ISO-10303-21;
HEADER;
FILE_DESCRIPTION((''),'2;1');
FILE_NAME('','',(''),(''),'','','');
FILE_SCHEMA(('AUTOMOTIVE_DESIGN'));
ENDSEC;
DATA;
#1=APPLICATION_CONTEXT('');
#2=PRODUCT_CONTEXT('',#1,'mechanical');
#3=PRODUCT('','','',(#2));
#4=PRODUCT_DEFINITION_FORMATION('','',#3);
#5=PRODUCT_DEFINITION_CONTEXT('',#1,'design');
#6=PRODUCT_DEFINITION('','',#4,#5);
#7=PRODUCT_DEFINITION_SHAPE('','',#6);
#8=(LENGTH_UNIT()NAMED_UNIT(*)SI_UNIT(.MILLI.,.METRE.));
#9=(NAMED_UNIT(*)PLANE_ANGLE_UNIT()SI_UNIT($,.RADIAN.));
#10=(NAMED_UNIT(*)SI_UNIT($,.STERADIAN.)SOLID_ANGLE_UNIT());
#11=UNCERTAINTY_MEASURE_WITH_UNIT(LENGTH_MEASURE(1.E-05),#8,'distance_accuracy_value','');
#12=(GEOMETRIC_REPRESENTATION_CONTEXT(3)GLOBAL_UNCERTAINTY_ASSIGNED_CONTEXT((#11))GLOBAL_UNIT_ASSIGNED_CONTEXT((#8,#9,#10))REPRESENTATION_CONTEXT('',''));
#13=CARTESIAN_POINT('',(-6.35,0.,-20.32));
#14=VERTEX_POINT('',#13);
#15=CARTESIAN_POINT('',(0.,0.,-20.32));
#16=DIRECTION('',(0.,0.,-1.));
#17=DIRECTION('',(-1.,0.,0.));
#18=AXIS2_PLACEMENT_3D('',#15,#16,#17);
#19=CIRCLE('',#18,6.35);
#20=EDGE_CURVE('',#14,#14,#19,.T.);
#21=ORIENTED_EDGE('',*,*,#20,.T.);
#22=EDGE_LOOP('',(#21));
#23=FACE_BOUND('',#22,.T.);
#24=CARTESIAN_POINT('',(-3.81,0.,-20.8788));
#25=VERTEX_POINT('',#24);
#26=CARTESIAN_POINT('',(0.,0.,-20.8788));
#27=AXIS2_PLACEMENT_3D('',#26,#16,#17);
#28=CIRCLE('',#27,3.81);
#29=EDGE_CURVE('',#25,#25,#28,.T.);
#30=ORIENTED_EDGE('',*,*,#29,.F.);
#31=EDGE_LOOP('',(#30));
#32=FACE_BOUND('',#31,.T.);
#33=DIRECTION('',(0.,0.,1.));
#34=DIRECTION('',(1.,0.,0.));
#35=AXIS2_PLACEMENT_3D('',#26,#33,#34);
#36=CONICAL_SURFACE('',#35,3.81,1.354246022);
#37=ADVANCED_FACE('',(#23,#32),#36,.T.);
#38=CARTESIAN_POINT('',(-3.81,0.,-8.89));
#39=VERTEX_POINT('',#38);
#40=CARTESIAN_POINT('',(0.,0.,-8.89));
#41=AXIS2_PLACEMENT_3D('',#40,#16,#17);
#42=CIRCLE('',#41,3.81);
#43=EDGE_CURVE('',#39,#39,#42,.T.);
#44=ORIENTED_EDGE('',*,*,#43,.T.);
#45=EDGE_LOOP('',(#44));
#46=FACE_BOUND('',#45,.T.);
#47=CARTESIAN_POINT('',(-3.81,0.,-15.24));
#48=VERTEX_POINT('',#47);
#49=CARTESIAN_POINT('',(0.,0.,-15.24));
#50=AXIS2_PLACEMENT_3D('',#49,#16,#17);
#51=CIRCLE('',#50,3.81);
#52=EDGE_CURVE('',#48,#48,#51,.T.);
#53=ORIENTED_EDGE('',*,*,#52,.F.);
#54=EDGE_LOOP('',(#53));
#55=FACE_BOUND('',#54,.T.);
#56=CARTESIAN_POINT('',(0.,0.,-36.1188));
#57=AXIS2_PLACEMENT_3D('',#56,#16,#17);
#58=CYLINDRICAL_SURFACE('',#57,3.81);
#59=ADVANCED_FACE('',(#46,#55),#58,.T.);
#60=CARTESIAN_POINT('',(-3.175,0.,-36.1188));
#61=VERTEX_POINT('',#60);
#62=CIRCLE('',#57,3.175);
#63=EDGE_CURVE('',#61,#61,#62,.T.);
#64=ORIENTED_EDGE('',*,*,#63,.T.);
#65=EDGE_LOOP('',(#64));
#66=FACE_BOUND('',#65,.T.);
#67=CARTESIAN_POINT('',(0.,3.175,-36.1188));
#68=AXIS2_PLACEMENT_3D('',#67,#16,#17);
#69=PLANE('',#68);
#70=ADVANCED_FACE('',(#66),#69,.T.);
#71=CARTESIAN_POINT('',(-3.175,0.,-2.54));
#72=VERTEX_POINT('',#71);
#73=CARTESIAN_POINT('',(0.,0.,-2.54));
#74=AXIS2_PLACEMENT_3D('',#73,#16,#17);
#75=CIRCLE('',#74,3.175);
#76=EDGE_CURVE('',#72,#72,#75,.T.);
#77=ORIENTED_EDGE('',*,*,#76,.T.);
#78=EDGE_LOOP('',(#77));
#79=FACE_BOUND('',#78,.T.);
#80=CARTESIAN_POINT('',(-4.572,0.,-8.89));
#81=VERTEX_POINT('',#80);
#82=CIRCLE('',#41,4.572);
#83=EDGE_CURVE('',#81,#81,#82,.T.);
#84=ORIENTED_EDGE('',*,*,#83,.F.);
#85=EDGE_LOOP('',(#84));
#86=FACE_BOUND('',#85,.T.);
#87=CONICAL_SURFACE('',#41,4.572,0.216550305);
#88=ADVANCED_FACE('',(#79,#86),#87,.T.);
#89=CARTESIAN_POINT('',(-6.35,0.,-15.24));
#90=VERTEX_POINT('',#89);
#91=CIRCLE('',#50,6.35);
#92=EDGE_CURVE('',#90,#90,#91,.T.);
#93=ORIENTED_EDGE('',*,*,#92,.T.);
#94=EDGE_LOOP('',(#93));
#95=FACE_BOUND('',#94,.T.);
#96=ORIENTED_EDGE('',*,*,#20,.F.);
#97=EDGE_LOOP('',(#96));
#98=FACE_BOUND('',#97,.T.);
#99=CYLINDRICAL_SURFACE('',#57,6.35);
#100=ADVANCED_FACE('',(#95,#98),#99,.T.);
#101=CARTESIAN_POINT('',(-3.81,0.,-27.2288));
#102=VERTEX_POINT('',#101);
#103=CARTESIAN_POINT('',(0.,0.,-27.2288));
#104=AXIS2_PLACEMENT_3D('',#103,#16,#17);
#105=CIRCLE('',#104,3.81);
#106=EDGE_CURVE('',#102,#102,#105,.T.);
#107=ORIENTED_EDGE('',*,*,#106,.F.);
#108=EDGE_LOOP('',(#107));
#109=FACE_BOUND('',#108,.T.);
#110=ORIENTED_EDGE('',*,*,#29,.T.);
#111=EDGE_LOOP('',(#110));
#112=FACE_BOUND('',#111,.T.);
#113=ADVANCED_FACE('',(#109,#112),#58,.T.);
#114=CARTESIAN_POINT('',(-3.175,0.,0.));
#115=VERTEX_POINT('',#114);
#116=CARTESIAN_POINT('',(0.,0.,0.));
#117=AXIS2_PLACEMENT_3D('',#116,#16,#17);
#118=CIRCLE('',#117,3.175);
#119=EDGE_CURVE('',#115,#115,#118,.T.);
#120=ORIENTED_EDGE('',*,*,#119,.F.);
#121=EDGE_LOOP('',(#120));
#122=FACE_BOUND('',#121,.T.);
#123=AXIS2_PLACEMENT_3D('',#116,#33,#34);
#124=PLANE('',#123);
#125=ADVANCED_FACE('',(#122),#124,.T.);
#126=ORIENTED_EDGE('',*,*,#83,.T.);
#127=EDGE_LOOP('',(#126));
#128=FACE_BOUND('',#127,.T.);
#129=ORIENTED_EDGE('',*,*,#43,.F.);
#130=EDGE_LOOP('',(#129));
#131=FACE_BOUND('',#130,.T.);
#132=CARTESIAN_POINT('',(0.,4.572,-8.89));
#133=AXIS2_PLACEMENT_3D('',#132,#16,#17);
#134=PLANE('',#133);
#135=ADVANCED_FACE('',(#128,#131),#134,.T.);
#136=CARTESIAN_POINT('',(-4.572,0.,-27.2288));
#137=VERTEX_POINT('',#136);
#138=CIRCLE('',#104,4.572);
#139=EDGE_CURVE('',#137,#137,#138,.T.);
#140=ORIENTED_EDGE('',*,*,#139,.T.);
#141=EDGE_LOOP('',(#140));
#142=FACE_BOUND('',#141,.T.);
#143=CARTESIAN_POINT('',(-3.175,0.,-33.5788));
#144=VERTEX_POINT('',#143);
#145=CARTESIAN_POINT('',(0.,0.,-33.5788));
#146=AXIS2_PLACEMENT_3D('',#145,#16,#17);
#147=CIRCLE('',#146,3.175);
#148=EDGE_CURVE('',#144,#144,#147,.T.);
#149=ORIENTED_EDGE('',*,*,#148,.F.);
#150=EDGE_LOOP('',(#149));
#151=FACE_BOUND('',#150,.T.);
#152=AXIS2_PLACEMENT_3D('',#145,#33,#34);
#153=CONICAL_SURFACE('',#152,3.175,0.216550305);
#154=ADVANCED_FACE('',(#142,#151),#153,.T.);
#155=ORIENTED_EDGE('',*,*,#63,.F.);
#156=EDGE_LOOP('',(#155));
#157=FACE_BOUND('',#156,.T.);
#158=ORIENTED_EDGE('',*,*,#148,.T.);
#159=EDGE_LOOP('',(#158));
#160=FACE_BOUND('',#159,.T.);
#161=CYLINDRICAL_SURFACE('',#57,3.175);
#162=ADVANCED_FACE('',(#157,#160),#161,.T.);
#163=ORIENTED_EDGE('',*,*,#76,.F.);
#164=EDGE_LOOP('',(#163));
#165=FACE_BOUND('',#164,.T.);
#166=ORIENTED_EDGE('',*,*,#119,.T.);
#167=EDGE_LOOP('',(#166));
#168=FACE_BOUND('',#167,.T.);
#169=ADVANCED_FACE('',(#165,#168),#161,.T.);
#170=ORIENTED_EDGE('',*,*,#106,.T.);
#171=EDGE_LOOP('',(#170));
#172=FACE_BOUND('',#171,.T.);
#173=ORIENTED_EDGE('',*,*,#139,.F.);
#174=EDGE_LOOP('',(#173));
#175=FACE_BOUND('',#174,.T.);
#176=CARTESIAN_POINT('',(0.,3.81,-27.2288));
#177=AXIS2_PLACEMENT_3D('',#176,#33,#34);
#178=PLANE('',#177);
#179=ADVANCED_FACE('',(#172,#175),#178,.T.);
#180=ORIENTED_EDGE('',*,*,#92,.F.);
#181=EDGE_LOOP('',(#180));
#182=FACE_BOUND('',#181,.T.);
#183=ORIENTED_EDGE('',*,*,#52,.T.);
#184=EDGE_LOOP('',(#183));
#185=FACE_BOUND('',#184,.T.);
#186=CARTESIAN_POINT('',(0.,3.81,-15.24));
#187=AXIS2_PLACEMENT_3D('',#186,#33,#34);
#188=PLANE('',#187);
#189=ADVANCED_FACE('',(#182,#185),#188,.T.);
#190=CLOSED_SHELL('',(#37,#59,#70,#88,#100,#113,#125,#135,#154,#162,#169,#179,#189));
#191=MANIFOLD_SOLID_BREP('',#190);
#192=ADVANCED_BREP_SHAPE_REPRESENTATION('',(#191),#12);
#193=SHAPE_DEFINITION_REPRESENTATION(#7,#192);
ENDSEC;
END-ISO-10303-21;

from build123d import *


with BuildPart() as part:
    # Sketch1 → Revolve1 (revolve)
    with BuildSketch(Plane(origin=(0, 0, 0), x_dir=(0, 0, -1), z_dir=(1, 0, 0)), mode=Mode.PRIVATE) as revolve1_sk:
        Polygon((0, 0), (0, 3.175), (2.54, 3.175), (8.89, 4.572), (8.89, 3.81), (15.24, 3.81), (15.24, 6.35), (20.32, 6.35), (20.8788, 3.81), (27.2288, 3.81), (27.2288, 4.572), (33.5788, 3.175), (36.1188, 3.175), (36.1188, 0), align=None)
    revolve(revolve1_sk.sketch.rotate(Axis((0, 0, -36.1188), (0, 0, 1)), 90), axis=Axis((0, 0, -36.1188), (0, 0, 1)))


solid = part.part
